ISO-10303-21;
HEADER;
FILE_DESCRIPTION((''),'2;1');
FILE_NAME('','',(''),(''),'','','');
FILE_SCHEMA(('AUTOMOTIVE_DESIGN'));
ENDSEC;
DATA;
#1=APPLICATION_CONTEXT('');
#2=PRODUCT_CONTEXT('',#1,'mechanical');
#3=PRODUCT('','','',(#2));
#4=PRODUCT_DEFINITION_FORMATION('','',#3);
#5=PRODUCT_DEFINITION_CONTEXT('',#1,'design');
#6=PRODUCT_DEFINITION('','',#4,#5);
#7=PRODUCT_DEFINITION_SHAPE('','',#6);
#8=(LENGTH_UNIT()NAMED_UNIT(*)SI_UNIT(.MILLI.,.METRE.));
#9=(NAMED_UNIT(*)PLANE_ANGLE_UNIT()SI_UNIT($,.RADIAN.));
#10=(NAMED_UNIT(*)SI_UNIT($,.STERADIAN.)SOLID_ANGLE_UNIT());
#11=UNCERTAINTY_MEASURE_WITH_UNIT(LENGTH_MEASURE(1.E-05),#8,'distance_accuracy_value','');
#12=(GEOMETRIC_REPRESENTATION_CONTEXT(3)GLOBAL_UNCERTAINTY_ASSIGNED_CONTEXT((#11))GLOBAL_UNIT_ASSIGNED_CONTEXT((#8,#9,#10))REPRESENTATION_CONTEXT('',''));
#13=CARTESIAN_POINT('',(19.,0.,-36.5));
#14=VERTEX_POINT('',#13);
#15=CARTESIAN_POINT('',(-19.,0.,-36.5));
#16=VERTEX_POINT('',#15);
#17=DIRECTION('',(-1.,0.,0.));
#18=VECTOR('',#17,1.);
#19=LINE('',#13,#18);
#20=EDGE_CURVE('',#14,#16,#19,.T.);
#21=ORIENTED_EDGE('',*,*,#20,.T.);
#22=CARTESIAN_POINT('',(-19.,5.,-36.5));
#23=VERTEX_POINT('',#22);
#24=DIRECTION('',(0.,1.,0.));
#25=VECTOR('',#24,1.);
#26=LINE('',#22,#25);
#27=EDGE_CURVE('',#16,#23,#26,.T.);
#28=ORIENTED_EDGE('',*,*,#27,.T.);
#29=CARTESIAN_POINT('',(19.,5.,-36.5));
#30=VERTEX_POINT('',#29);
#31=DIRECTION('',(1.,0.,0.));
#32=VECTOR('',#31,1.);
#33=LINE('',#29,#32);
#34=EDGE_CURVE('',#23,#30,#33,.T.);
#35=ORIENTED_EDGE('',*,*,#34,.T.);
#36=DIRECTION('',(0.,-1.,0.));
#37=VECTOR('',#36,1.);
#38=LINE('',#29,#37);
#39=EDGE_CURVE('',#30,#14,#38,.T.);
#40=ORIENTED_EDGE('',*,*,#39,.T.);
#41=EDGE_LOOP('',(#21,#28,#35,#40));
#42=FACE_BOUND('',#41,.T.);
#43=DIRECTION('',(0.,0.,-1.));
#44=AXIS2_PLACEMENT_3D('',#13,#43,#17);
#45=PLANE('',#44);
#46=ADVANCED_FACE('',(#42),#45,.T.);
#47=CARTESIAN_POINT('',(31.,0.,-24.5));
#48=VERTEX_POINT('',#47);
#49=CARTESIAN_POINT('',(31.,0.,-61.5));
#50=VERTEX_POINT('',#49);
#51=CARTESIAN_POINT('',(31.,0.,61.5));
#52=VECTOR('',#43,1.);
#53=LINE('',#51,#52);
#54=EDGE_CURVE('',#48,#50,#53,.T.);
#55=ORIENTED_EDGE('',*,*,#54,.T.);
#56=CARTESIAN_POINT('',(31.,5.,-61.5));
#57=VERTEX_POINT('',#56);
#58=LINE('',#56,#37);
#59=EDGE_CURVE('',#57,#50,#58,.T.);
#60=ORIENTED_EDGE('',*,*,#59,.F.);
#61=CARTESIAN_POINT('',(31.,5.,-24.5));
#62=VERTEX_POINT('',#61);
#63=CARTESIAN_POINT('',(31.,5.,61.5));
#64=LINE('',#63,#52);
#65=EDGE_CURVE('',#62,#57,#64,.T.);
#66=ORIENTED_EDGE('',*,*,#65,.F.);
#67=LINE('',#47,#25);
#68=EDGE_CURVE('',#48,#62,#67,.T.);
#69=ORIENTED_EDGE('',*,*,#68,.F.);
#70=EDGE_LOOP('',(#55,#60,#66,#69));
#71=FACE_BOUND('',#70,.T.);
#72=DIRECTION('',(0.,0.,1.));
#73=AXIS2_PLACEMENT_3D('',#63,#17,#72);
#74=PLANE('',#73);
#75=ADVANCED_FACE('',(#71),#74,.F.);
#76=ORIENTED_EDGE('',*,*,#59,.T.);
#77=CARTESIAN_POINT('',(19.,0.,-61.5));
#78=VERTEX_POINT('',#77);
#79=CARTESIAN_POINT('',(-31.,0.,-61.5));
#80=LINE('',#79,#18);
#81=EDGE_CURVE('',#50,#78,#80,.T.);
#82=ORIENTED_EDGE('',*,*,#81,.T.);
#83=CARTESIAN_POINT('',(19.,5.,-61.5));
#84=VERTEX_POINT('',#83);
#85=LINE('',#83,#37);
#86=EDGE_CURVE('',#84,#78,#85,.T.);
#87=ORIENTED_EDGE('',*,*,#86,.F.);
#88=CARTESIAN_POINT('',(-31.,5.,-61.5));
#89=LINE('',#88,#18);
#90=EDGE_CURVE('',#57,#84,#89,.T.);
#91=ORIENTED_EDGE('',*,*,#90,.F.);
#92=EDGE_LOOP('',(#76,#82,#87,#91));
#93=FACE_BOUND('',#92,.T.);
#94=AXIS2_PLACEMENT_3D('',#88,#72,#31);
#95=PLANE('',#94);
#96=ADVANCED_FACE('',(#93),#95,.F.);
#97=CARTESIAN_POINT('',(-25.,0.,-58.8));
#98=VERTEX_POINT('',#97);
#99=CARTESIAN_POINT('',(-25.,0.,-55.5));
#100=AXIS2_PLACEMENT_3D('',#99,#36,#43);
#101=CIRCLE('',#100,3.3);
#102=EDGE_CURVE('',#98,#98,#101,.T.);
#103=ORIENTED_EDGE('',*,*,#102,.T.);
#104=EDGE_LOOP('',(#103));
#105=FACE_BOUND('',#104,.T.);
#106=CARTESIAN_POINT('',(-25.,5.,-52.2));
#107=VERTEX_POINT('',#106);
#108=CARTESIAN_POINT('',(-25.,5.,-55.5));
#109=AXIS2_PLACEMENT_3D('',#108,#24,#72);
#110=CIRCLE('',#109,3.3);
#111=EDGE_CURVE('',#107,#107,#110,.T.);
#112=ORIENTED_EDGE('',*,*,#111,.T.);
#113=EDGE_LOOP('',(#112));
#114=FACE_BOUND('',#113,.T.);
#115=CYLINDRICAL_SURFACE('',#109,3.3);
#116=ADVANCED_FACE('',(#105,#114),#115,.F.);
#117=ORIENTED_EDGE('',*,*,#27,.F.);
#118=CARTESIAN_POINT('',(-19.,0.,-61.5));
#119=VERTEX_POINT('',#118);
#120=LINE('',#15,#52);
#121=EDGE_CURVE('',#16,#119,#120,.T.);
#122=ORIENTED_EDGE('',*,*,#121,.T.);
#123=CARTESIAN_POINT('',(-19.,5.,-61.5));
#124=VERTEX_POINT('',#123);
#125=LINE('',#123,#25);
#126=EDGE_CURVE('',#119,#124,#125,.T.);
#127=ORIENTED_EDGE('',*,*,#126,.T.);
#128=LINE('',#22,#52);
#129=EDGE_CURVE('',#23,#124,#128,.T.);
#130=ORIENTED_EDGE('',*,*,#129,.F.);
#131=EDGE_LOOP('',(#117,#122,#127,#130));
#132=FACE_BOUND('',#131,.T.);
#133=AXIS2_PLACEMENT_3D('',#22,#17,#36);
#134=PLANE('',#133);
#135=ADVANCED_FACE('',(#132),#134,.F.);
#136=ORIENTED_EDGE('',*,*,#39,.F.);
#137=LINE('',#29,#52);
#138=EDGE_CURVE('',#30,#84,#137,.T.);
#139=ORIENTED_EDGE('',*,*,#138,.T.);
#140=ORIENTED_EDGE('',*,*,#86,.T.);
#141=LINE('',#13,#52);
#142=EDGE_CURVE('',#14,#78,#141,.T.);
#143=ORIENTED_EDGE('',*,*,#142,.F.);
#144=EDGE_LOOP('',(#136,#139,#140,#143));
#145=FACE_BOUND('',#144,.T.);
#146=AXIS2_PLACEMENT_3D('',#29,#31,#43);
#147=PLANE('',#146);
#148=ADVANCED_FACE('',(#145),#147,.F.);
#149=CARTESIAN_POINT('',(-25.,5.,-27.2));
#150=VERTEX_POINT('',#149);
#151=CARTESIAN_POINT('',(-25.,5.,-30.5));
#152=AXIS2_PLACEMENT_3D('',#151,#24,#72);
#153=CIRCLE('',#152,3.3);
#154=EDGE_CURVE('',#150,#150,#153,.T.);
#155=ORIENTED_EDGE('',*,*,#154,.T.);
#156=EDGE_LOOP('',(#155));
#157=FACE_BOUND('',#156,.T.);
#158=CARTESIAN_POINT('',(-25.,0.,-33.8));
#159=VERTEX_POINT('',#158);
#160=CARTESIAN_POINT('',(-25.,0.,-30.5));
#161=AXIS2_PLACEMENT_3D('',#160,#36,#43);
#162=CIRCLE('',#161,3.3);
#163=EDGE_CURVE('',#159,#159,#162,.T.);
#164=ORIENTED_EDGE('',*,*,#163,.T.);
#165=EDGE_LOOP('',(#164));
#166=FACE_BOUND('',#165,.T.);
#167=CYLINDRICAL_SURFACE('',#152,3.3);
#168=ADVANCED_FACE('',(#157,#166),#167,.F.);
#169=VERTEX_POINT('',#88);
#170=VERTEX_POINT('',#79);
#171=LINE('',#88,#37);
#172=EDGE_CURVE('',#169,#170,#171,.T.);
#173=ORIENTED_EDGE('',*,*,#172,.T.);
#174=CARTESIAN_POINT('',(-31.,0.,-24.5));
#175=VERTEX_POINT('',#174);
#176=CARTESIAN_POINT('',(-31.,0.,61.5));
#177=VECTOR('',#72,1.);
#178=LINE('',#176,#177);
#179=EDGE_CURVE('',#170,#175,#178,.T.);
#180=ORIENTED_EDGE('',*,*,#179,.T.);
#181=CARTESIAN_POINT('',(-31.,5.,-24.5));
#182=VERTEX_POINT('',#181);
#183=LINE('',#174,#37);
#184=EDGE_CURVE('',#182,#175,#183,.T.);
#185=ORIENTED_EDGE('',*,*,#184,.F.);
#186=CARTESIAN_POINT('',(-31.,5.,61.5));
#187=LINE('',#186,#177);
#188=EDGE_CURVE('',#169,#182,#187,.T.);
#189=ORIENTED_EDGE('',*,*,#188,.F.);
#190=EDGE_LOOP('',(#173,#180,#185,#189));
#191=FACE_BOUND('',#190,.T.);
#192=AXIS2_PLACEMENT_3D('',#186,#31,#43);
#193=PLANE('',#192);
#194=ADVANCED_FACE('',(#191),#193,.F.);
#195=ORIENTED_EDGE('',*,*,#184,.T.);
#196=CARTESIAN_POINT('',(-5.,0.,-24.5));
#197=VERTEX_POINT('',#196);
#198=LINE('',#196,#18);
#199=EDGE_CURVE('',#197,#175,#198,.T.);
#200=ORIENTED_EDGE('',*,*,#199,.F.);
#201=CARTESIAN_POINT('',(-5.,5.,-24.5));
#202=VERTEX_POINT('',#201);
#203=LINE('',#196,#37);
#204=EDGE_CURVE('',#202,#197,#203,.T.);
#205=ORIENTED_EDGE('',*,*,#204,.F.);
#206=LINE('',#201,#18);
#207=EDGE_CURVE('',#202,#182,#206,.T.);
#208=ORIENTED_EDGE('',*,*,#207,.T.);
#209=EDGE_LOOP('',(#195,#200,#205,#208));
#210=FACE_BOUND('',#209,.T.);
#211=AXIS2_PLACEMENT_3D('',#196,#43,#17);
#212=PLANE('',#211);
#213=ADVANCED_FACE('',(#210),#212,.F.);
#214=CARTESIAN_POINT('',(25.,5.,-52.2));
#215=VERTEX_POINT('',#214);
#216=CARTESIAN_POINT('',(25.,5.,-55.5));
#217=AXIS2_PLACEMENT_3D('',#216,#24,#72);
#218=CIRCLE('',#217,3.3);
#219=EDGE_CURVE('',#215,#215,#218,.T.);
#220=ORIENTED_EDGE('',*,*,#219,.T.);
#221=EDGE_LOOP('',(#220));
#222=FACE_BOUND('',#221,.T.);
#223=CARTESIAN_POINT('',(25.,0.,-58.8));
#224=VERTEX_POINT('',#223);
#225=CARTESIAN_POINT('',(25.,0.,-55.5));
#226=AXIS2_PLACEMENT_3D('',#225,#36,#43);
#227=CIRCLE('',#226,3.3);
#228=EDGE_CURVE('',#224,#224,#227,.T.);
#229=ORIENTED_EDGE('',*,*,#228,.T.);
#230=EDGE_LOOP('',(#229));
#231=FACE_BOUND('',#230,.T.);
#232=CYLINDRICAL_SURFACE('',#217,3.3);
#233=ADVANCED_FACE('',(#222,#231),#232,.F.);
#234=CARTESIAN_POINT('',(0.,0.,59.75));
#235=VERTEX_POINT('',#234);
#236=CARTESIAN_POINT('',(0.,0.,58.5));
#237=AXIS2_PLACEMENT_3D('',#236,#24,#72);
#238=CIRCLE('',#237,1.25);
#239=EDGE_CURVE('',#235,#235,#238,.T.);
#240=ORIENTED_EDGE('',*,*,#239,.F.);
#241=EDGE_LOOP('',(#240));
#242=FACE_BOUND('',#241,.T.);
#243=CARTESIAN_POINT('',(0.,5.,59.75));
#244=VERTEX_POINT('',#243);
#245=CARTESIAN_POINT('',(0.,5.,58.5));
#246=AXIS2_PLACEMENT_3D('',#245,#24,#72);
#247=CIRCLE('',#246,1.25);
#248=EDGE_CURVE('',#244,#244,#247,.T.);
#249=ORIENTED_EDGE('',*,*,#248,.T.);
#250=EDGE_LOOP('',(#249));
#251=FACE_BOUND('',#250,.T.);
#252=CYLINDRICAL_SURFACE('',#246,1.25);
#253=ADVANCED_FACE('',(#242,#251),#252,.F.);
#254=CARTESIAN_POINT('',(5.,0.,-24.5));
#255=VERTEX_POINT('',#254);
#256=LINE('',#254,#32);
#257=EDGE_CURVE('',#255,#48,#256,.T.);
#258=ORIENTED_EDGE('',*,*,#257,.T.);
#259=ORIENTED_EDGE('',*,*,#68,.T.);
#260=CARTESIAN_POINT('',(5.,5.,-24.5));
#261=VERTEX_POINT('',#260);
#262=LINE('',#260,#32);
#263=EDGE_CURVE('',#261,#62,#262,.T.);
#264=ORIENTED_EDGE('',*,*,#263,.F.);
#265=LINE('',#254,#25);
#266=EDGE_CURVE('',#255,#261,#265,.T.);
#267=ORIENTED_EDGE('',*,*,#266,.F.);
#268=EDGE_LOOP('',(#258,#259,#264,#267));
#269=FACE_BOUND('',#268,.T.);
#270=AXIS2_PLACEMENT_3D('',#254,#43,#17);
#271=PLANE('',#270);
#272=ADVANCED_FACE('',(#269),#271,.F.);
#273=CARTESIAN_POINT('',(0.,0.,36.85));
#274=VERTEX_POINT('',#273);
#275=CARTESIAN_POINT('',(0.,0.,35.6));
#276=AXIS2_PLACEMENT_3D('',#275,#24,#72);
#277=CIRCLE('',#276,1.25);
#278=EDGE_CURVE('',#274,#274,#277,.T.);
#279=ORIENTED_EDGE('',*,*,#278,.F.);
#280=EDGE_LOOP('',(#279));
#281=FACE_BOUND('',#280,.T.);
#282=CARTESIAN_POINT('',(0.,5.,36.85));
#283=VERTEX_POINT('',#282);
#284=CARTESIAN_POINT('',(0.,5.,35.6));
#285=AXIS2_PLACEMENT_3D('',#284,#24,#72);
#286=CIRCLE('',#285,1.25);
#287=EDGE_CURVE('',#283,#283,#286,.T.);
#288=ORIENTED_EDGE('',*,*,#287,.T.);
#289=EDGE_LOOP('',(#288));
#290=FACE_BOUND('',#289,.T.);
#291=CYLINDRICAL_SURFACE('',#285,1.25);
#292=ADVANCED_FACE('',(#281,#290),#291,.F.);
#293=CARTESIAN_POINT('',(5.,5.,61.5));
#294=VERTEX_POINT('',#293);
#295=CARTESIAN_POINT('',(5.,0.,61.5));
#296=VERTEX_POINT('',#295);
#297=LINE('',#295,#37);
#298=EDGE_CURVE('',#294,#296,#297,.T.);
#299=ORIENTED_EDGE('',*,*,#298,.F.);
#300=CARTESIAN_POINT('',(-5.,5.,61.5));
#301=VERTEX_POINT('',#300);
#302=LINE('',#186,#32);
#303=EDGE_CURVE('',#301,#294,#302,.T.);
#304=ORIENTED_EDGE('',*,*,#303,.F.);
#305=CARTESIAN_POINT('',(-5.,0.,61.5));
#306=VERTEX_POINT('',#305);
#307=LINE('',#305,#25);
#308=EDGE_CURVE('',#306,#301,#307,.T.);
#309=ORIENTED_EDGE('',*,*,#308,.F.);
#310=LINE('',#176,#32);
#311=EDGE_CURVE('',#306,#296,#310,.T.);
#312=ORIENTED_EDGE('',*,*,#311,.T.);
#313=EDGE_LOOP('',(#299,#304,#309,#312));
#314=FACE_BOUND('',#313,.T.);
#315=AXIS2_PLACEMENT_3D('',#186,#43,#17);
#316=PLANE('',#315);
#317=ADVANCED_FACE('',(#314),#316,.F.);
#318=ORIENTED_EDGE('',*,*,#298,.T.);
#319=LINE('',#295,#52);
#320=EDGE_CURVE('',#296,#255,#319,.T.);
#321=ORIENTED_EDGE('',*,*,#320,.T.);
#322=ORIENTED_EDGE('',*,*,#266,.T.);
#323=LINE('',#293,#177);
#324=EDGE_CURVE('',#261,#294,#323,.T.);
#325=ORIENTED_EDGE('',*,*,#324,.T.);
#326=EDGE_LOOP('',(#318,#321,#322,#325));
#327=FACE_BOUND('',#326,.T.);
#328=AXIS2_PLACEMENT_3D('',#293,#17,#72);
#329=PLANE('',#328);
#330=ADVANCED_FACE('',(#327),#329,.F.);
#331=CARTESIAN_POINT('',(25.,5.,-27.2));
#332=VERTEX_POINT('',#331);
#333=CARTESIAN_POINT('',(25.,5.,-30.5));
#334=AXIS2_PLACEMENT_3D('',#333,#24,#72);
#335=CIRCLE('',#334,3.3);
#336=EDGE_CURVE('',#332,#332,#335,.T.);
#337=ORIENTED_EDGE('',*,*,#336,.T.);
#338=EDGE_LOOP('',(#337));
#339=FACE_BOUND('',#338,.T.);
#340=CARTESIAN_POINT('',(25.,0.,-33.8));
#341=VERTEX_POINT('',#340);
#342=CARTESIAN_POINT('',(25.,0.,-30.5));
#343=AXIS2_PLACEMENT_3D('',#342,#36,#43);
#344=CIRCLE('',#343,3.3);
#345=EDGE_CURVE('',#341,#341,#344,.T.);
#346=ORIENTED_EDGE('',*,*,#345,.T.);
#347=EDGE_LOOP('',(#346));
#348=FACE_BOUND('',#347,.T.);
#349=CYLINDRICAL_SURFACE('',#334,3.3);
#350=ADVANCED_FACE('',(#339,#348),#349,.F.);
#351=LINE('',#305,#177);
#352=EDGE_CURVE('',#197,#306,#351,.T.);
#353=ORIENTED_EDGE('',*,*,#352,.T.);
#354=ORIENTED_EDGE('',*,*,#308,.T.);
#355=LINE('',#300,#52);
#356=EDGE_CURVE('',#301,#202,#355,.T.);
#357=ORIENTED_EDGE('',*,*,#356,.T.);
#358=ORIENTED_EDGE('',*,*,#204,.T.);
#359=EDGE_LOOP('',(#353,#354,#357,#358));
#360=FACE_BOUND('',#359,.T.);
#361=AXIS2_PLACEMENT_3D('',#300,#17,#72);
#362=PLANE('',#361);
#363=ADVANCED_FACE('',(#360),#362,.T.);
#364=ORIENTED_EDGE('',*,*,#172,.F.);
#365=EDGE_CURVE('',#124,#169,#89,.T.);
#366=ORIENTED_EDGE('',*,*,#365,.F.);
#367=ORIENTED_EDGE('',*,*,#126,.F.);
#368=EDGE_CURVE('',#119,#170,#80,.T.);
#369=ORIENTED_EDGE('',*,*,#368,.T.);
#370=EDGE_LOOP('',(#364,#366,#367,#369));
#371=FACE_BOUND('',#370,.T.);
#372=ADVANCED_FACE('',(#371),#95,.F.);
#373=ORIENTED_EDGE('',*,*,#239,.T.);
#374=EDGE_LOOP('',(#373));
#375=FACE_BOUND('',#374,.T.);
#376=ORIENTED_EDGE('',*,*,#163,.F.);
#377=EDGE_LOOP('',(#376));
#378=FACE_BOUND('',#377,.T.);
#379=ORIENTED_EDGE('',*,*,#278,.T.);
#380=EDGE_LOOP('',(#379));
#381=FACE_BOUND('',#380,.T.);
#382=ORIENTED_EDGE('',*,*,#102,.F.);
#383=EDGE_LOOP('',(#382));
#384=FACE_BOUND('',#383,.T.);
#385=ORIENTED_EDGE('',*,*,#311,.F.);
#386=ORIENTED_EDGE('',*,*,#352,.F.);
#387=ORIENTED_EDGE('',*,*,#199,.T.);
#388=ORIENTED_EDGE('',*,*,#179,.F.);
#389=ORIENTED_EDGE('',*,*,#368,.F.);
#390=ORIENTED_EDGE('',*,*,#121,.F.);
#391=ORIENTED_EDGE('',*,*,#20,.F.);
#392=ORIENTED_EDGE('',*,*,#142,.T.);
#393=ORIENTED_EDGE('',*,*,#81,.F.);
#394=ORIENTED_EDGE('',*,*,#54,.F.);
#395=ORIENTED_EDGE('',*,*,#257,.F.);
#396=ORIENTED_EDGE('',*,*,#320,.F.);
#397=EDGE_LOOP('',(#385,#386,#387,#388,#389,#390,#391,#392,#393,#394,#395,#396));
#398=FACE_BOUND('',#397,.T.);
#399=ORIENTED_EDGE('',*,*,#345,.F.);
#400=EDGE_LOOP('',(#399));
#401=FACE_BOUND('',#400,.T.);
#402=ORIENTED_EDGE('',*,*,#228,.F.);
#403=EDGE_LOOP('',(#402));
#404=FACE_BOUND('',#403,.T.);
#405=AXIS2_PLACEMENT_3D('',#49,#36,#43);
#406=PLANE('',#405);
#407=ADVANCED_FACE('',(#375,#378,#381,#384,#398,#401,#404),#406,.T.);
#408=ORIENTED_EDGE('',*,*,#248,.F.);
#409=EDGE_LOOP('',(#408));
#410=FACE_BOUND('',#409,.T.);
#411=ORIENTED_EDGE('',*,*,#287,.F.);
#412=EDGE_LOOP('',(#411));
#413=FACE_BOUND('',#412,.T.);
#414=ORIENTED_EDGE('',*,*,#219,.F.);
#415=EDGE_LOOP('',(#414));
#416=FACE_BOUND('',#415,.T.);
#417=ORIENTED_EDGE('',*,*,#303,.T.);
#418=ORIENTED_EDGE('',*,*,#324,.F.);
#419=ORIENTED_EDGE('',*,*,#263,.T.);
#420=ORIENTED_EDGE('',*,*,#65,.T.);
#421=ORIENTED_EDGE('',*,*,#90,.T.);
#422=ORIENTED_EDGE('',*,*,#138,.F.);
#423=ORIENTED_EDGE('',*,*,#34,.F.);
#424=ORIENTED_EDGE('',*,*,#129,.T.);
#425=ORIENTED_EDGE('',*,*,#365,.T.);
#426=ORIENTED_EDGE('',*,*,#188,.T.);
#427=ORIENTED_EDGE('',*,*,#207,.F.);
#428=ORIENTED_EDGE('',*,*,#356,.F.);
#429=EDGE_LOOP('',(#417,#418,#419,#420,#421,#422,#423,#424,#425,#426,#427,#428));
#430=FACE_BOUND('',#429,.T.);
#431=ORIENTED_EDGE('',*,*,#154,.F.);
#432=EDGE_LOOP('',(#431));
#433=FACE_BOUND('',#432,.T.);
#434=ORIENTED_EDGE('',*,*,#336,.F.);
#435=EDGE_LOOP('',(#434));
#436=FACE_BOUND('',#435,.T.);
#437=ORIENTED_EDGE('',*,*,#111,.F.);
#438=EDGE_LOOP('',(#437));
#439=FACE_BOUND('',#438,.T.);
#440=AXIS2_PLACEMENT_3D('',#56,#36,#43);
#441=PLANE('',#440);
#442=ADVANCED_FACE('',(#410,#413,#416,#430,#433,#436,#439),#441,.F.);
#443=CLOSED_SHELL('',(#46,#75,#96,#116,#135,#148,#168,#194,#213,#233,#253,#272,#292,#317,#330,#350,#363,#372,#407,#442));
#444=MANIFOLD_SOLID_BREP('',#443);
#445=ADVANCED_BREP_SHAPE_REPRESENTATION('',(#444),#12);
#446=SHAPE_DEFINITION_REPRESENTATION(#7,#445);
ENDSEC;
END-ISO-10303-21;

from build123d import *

# Parameters (mm, degrees)
SKETCH1_W             = 62
SKETCH1_H             = 123
EXTRUDE1_DEPTH        = 5
SKETCH2_W             = 38
SKETCH2_H             = 5
EXTRUDE2_DEPTH        = 25
SKETCH3_W             = 86
SKETCH3_H             = 5
EXTRUDE3_DEPTH        = 26
SKETCH4_W             = 86
SKETCH4_H             = 5
EXTRUDE4_DEPTH        = 26
LPATTERN1_COUNT       = 2
LPATTERN1_PITCH       = 25
LPATTERN1_COUNT_DIR2  = 2
LPATTERN1_PITCH_DIR2  = 50
M3X0_5_TAPPED_HOLE1_D = 2.5
LPATTERN2_COUNT       = 2
LPATTERN2_PITCH       = 22.9


with BuildPart() as part:
    # Sketch1 → Extrude1 (new body)
    with BuildSketch(Plane(origin=(0, 0, 0), x_dir=(1, 0, 0), z_dir=(0, 1, 0))):
        Rectangle(SKETCH1_W, SKETCH1_H)
    extrude(amount=EXTRUDE1_DEPTH)

    # Sketch2 → Extrude2 (cut)
    with BuildSketch(Plane(origin=(0, 0, -61.5), x_dir=(-1, 0, 0), z_dir=(0, 0, -1))):
        with Locations((0, 2.5)):
            Rectangle(SKETCH2_W, SKETCH2_H)
    extrude(amount=-EXTRUDE2_DEPTH, mode=Mode.SUBTRACT)

    # Sketch3 → Extrude3 (cut)
    with BuildSketch(Plane.ZY.offset(31)):
        with Locations((18.5, 2.5)):
            Rectangle(SKETCH3_W, SKETCH3_H)
    extrude(amount=-EXTRUDE3_DEPTH, mode=Mode.SUBTRACT)

    # Sketch4 → Extrude4 (cut)
    with BuildSketch(Plane(origin=(31, 0, 0), x_dir=(0, 0, -1), z_dir=(1, 0, 0))):
        with Locations((-18.5, 2.5)):
            Rectangle(SKETCH4_W, SKETCH4_H)
    extrude(amount=-EXTRUDE4_DEPTH, mode=Mode.SUBTRACT)

    # Sketch6 → M6 Clearance Hole1 (revolve, cut)
    with BuildSketch(Plane(origin=(-25, 5, -55.5), x_dir=(0, 0, 1), z_dir=(1, 0, 0))):
        Polygon((0, 0), (0, 11.982840043), (3.3, 10), (3.3, 0), align=None)
    m6_clearance_hole1 = revolve(axis=Axis((-25, 11.35, -55.5), (0, -1, 0)), mode=Mode.SUBTRACT)

    # LPattern1: M6 Clearance Hole1 2 × 2
    with Locations(*[(j * LPATTERN1_PITCH_DIR2, 0, i * LPATTERN1_PITCH) for i in range(LPATTERN1_COUNT) for j in range(LPATTERN1_COUNT_DIR2) if (i, j) != (0, 0)]):
        add(m6_clearance_hole1, mode=Mode.SUBTRACT)

    # M3x0.5 Tapped Hole1 (through all)
    with Locations(Plane(origin=(0, 5, 58.5), x_dir=(0, 0, 1), z_dir=(0, 1, 0))):
        with Locations((0, 0)):
            m3x0_5_tapped_hole1 = Hole(M3X0_5_TAPPED_HOLE1_D / 2)

    # LPattern2: M3x0.5 Tapped Hole1 ×2
    with Locations(*[(0, 0, -i * LPATTERN2_PITCH) for i in range(1, LPATTERN2_COUNT)]):
        add(m3x0_5_tapped_hole1, mode=Mode.SUBTRACT)


solid = part.part
